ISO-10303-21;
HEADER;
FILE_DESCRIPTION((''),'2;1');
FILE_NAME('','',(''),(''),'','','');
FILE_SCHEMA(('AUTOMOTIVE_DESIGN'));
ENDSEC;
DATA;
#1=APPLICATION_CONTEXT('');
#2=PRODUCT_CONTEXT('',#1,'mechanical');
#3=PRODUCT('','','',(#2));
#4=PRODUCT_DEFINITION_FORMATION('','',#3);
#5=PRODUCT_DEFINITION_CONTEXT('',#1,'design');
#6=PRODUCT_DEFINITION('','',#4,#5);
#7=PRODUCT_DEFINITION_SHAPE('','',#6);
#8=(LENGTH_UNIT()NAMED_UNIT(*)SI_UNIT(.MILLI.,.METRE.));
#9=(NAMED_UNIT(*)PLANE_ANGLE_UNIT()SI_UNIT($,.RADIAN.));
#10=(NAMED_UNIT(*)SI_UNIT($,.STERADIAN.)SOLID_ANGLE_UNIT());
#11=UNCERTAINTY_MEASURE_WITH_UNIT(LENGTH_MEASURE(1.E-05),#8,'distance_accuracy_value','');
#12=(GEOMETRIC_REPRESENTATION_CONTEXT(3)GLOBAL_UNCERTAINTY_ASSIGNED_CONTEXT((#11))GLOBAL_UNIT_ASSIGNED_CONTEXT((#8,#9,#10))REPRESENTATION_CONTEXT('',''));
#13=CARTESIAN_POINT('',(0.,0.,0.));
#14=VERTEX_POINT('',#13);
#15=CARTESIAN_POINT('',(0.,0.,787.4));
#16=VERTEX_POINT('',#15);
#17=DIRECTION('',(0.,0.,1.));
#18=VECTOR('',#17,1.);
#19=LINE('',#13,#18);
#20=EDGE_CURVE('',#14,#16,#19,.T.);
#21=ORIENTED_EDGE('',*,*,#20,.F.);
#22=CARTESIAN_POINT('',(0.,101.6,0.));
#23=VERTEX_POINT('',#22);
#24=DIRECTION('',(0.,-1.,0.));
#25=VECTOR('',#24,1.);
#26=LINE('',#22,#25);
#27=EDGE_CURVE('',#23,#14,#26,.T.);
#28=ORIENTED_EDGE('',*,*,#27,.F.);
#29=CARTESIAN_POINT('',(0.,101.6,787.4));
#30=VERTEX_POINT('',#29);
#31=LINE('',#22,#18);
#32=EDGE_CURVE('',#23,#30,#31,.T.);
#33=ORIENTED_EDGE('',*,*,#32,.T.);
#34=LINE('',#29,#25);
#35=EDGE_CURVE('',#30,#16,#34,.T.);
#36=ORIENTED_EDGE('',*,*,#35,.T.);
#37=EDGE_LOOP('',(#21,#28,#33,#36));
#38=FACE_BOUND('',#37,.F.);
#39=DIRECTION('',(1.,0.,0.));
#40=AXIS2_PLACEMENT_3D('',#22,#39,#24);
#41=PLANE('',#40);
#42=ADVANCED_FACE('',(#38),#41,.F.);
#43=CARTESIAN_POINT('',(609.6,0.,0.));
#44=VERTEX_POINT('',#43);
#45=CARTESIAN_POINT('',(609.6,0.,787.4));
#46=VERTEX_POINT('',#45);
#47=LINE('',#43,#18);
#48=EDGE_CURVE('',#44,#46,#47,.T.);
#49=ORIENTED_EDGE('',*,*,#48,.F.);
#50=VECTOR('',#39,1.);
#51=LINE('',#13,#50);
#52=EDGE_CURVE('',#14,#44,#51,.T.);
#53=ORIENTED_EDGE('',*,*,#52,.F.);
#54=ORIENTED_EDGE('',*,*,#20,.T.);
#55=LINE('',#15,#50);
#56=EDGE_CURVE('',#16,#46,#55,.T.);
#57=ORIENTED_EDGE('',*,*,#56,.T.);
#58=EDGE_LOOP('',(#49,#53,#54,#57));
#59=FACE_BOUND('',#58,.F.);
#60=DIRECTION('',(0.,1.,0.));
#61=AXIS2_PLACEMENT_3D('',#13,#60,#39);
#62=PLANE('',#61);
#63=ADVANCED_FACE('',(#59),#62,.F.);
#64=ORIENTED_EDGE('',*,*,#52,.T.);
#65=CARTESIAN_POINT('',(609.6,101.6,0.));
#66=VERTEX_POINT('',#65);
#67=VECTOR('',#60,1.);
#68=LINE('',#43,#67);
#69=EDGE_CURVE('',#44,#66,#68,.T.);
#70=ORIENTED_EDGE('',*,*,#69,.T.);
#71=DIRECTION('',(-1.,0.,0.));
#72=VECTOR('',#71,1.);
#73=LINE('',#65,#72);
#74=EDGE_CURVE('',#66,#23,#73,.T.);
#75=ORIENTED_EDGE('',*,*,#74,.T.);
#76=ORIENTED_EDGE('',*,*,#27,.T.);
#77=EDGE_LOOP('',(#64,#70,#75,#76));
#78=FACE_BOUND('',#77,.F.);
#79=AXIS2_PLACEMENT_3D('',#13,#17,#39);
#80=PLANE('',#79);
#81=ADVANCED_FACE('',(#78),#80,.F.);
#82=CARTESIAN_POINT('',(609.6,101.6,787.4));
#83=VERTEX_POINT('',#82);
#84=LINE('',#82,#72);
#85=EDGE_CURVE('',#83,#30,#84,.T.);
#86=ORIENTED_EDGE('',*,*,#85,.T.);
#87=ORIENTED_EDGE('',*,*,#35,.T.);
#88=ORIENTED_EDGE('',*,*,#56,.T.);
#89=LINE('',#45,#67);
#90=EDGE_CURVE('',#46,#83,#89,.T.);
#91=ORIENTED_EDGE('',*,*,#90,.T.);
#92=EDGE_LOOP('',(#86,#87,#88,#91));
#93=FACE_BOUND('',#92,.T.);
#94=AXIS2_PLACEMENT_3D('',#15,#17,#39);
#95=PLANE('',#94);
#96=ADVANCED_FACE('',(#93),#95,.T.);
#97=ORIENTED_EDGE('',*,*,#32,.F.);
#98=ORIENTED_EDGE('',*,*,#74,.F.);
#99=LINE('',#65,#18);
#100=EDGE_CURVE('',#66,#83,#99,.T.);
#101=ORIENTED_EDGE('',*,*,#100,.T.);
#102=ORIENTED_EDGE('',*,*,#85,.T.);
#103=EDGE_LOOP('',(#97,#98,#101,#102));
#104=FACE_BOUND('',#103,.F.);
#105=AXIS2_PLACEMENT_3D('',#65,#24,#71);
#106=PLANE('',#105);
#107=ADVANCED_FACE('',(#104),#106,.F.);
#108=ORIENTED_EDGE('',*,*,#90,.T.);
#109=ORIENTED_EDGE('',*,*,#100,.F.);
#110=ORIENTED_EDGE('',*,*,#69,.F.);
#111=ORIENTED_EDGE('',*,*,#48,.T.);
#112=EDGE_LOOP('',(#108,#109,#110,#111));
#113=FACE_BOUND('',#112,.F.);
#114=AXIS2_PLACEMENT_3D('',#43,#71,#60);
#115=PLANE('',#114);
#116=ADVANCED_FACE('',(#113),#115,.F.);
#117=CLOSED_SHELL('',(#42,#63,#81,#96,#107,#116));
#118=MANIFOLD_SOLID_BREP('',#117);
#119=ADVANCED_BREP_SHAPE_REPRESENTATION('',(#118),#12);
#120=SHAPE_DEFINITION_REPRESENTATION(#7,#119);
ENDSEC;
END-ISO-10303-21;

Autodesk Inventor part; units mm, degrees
ref_plane "YZ Plane" through (0, 0, 0) normal (1, 0, 0) x (0, 1, 0)
ref_plane "XZ Plane" through (0, 0, 0) normal (0, 1, 0) x (-1, 0, 0)
ref_plane "XY Plane" through (0, 0, 0) normal (0, 0, 1) x (1, 0, 0)
sketch "Sketch1" plane through (0, 0, 0) normal (0, 0, 1) x (1, 0, 0)
  line L0 (0, 0) -> (609.6, 0)
  line L1 (609.6, 0) -> (609.6, 101.6)
  line L2 (609.6, 101.6) -> (0, 101.6)
  line L3 (0, 101.6) -> (0, 0)
  dimension "d0" = 101.6
  dimension "d1" = 609.6
extrude "Extrusion1" add sketch "Sketch1" along normal blind 787.4
properties part number "BaseMockup"
